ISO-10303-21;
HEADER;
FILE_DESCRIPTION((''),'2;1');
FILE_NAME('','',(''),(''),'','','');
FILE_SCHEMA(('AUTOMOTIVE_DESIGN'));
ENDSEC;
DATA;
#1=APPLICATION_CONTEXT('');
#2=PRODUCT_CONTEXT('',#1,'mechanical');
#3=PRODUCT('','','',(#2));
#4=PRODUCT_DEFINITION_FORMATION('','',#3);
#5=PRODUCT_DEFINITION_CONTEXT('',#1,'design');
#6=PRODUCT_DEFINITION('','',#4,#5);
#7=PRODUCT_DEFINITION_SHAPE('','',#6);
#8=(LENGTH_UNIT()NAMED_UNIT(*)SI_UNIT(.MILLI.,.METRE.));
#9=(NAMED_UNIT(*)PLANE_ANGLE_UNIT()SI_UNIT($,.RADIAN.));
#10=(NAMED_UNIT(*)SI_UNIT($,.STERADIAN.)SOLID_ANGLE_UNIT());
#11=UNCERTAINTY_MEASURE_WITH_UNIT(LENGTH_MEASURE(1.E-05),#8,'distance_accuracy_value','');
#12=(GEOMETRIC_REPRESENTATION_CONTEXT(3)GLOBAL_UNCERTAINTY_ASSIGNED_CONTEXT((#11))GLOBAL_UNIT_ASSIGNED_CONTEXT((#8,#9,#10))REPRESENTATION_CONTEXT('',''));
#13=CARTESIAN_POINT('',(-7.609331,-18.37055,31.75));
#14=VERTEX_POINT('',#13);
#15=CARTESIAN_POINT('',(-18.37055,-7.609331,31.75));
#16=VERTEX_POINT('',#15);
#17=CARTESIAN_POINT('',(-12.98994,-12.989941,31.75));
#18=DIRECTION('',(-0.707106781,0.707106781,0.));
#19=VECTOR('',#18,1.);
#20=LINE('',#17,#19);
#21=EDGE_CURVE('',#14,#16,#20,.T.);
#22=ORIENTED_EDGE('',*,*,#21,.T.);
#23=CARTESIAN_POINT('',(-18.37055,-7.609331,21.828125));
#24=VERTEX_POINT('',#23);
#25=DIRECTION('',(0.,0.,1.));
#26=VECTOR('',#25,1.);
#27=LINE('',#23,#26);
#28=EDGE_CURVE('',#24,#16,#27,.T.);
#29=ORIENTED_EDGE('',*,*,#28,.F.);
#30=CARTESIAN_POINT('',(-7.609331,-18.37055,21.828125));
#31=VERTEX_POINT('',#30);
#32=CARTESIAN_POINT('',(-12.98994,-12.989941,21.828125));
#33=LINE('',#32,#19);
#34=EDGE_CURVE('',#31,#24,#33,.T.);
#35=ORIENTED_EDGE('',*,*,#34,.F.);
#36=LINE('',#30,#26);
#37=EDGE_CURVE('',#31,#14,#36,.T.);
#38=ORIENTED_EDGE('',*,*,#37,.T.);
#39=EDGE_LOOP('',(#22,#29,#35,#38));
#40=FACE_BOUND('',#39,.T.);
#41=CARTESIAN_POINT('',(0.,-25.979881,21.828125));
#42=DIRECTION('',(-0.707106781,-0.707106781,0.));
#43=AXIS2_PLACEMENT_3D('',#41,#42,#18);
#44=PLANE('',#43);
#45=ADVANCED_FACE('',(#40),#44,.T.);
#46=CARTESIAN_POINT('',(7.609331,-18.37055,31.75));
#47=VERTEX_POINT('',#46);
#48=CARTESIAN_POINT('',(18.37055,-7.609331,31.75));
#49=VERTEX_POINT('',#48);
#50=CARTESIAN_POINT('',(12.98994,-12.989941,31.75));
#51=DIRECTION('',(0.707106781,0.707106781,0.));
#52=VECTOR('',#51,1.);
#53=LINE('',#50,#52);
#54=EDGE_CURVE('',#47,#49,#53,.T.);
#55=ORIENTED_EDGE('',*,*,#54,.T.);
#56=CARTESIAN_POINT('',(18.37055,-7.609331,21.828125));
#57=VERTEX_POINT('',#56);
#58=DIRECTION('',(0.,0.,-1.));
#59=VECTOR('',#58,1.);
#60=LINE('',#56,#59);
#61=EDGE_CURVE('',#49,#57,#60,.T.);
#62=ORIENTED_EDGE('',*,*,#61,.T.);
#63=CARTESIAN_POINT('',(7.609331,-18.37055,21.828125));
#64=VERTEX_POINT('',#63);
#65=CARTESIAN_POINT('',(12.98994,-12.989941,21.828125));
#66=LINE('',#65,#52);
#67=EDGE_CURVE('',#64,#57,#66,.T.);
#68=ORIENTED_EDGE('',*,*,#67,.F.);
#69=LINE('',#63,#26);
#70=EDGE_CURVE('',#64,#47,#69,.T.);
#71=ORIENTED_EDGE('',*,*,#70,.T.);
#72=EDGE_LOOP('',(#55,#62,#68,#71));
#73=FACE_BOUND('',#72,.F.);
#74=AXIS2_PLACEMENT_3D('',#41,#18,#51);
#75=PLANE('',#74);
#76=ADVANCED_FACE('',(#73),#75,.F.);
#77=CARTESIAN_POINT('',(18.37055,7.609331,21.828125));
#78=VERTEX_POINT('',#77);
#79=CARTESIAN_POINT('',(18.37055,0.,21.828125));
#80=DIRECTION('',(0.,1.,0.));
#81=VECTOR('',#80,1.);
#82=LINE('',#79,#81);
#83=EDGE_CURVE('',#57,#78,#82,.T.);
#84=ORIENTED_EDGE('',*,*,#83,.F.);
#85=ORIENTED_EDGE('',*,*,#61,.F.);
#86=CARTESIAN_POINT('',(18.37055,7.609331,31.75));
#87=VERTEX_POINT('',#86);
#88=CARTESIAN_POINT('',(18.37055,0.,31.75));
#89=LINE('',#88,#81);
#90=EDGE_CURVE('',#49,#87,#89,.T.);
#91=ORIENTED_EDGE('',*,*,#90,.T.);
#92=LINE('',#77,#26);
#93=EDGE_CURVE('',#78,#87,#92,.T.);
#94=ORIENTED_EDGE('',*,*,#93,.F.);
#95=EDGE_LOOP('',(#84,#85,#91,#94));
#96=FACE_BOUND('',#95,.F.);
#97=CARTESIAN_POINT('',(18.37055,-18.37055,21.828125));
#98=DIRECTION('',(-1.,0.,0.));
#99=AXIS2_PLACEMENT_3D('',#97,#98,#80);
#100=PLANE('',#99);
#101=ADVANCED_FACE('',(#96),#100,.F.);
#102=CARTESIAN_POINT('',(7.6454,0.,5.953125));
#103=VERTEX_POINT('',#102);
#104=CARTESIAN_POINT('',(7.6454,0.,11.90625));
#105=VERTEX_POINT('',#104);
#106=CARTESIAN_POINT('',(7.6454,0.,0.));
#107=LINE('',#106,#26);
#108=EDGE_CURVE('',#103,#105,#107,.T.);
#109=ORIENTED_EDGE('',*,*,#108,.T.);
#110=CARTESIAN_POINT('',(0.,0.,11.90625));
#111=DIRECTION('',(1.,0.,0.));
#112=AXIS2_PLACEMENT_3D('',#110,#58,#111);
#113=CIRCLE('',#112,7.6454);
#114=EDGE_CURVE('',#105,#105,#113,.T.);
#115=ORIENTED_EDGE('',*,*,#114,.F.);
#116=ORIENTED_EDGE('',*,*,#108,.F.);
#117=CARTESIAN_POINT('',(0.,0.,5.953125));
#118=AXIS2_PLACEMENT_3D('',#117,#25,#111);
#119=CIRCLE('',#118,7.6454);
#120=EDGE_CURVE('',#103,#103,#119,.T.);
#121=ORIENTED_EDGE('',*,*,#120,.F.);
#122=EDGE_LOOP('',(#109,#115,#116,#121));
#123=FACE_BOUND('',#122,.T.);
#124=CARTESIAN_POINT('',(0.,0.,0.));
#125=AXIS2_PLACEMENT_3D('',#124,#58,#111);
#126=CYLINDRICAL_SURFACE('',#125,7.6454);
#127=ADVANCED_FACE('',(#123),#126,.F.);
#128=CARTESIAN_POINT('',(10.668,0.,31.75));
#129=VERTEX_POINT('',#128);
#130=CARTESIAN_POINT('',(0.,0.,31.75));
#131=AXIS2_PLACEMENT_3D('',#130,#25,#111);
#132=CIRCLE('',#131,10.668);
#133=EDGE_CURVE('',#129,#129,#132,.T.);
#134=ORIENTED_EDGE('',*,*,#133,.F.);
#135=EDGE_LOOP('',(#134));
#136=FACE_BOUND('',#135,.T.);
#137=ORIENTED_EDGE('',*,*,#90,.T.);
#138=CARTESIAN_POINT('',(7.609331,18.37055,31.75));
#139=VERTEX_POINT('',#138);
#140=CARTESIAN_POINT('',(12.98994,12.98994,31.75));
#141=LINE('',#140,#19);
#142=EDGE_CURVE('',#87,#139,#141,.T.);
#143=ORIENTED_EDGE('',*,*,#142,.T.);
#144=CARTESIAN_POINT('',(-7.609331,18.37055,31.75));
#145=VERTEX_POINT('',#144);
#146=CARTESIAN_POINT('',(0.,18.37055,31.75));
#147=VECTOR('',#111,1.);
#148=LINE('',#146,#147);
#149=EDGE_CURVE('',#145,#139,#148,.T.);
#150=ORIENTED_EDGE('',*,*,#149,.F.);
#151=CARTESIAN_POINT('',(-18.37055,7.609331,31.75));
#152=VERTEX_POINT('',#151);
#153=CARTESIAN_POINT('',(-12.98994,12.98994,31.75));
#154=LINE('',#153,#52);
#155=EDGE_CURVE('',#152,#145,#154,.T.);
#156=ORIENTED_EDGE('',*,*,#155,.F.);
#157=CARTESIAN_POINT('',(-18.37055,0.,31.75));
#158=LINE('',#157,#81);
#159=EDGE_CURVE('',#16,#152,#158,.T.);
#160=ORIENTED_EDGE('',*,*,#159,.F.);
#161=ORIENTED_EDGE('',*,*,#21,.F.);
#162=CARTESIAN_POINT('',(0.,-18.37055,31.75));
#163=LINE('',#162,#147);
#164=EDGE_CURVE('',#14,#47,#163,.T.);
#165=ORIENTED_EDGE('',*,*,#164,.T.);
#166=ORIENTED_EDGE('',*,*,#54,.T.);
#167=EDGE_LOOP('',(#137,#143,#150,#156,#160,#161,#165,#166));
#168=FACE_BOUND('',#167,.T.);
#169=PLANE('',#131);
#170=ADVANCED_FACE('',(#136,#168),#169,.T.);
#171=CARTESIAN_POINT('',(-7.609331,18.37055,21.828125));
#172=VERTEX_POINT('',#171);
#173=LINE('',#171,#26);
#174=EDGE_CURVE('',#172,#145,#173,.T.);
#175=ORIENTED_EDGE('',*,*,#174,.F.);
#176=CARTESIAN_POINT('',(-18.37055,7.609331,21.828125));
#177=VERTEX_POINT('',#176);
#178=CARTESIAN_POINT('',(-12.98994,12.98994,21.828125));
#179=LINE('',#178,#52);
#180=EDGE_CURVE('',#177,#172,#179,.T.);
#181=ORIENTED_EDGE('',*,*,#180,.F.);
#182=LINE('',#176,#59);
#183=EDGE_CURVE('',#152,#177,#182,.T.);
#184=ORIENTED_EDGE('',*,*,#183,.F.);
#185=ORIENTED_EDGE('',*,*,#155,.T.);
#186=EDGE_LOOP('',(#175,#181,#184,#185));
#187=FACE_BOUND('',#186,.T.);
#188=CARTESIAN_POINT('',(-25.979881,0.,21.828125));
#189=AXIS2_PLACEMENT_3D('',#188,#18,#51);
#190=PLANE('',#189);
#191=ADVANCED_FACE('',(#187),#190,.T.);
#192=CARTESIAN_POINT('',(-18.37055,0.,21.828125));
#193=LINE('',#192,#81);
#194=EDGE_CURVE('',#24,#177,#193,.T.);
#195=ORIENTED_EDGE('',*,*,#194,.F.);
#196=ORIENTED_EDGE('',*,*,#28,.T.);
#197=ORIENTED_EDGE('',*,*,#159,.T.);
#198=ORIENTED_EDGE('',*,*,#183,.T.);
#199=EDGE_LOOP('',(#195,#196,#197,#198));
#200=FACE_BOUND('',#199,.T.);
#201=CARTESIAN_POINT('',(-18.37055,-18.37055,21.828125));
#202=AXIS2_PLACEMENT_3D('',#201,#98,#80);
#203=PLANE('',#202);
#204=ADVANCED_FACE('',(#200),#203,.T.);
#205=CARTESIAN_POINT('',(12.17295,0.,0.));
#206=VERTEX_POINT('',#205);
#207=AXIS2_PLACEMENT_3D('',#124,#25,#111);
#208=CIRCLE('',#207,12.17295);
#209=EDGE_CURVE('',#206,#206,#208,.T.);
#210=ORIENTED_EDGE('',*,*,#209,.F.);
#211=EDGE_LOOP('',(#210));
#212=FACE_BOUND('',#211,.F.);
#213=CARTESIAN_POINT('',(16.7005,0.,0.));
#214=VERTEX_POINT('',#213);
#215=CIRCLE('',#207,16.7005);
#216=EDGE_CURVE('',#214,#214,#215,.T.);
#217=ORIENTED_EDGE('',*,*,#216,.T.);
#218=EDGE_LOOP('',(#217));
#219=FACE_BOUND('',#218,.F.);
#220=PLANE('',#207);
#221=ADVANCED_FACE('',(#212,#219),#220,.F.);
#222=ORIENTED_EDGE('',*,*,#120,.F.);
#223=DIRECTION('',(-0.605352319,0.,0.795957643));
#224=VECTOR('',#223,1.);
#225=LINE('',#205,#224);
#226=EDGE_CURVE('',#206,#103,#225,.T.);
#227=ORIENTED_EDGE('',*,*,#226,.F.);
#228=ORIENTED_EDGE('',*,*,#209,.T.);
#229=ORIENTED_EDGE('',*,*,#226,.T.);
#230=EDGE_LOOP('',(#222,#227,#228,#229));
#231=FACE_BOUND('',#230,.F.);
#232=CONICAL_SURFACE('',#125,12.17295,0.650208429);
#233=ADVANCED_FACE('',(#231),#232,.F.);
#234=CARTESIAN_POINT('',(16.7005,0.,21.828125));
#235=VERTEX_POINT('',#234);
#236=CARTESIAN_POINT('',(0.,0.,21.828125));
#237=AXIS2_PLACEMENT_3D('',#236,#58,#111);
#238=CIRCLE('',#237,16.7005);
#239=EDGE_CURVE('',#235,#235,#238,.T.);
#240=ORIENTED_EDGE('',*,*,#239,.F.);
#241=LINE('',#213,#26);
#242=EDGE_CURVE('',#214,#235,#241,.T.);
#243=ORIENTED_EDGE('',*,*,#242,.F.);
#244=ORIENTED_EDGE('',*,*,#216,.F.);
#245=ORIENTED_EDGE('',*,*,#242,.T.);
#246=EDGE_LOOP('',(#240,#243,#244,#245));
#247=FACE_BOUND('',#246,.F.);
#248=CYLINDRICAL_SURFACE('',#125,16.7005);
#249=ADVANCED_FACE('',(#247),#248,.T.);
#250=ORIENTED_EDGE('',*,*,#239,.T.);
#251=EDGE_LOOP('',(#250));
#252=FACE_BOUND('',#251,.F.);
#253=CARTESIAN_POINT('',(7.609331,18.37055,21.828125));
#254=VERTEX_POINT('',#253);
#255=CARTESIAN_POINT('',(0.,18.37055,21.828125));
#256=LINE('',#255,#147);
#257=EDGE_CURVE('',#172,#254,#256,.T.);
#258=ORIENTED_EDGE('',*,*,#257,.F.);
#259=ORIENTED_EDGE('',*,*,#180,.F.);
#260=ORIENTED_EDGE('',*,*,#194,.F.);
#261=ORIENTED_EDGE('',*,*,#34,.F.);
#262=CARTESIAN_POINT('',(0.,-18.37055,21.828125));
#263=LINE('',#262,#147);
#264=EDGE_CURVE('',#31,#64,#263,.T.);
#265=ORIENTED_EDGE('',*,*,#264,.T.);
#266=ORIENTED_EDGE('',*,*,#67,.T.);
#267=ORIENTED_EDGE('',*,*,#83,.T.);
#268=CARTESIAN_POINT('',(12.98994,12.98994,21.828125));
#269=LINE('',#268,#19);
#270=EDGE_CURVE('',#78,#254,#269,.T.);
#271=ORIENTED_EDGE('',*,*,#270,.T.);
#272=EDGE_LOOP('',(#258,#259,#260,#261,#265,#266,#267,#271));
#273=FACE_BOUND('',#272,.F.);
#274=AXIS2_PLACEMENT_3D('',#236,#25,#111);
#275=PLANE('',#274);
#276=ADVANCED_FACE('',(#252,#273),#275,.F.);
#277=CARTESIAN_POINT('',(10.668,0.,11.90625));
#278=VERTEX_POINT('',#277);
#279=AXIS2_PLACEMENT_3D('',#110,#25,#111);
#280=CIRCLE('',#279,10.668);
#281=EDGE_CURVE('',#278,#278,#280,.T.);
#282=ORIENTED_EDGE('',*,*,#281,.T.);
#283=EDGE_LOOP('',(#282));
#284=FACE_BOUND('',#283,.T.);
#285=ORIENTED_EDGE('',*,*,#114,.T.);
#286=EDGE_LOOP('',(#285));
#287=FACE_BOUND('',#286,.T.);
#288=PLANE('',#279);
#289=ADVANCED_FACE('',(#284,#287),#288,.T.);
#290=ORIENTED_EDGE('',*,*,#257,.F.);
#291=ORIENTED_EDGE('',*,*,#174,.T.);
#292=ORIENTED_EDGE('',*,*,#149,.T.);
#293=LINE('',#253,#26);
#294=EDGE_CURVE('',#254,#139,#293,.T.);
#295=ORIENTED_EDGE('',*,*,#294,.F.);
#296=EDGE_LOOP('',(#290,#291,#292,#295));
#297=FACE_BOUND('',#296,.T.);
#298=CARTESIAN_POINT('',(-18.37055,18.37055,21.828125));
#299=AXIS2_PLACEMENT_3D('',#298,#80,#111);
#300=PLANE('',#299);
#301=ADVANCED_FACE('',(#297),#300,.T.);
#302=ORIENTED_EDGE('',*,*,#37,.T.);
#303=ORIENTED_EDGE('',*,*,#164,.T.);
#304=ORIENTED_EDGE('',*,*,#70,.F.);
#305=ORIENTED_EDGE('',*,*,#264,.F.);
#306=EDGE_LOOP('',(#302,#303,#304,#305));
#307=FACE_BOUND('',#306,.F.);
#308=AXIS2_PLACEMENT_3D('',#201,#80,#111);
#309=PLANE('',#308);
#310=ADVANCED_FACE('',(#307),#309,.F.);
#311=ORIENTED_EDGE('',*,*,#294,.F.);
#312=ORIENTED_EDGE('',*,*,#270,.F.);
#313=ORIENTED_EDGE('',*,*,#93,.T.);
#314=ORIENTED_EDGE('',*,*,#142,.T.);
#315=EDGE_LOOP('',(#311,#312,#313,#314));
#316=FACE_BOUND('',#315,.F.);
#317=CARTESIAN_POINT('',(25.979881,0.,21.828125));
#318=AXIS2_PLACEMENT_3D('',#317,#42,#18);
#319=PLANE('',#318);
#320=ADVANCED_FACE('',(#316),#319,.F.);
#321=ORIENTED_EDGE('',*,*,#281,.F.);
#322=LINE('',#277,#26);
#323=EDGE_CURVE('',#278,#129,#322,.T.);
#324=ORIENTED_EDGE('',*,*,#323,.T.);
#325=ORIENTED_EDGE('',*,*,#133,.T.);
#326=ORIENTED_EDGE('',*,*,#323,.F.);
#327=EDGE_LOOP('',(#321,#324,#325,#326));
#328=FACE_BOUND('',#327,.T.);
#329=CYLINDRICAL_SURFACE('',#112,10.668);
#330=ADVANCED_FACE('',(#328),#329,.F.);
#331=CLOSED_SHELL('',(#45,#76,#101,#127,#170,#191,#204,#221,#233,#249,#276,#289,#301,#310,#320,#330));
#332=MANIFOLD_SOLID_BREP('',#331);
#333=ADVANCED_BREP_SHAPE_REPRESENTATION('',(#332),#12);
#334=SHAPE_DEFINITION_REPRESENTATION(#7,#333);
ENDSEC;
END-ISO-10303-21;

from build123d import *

# Parameters (mm, degrees)
OUTERCYNLIDER002_R     = 10.668
OUTERCYNLIDER002_DEPTH = 19.84375
OUTERCYNLIDER001_R     = 7.6454
OUTERCYNLIDER001_DEPTH = 31.75
BOX001_W               = 36.7411
BOX001_H               = 36.7411
BOX001_DEPTH           = 9.921875
BOX001_PLACEMENT_ANGLE = 45
BOX_W                  = 36.7411
BOX_H                  = 36.7411
BOX_DEPTH              = 9.921875
OUTERCYNLIDER_R        = 16.7005
OUTERCYNLIDER_DEPTH    = 31.75


with BuildPart() as outercynlider002:
    # OuterCynlider002 → OuterCynlider002 (new body)
    with BuildSketch(Plane.XY.offset(11.90625)):
        Circle(OUTERCYNLIDER002_R)
    extrude(amount=OUTERCYNLIDER002_DEPTH)


with BuildPart() as cone:
    # Cone → Cone (revolve)
    with BuildSketch(Plane.XZ):
        Polygon((0, 0), (12.17295, 0), (7.6454, 5.953125), (0, 5.953125), align=None)
    revolve(axis=Axis((0, 0, 0), (0, 0, 1)))


with BuildPart() as fusion001:
    # OuterCynlider001 → OuterCynlider001 (new body)
    with BuildSketch(Plane.XY):
        Circle(OUTERCYNLIDER001_R)
    extrude(amount=OUTERCYNLIDER001_DEPTH)

    # Fusion001: union OuterCynlider002, Cone
    add(outercynlider002.part)
    add(cone.part)


with BuildPart() as box001:
    # Box001 → Box001 (new body)
    with BuildSketch(Plane.XY):
        with Locations((18.37055, 18.37055)):
            Rectangle(BOX001_W, BOX001_H)
    extrude(amount=BOX001_DEPTH)


with BuildPart() as box001_1:
    # Box001 placement: moved
    add(box001.part.moved(Location((0, -25.979881, 0))).rotate(Axis((0, -25.979881, 0), (0, 0, 1)), BOX001_PLACEMENT_ANGLE))


with BuildPart() as common:
    # Box → Box (new body)
    with BuildSketch(Plane(origin=(-18.37055, -18.37055, 0), x_dir=(1, 0, 0), z_dir=(0, 0, 1))):
        with Locations((18.37055, 18.37055)):
            Rectangle(BOX_W, BOX_H)
    extrude(amount=BOX_DEPTH)

    # Common: intersect Box001
    add(box001_1.part, mode=Mode.INTERSECT)


with BuildPart() as common_1:
    # Common placement: moved
    add(common.part.moved(Location((0, 0, 21.828125))))


with BuildPart() as cut:
    # OuterCynlider → OuterCynlider (new body)
    with BuildSketch(Plane.XY):
        Circle(OUTERCYNLIDER_R)
    extrude(amount=OUTERCYNLIDER_DEPTH)

    # Fusion: union Common
    add(common_1.part)

    # Cut: cut Fusion001
    add(fusion001.part, mode=Mode.SUBTRACT)


solid = cut.part
